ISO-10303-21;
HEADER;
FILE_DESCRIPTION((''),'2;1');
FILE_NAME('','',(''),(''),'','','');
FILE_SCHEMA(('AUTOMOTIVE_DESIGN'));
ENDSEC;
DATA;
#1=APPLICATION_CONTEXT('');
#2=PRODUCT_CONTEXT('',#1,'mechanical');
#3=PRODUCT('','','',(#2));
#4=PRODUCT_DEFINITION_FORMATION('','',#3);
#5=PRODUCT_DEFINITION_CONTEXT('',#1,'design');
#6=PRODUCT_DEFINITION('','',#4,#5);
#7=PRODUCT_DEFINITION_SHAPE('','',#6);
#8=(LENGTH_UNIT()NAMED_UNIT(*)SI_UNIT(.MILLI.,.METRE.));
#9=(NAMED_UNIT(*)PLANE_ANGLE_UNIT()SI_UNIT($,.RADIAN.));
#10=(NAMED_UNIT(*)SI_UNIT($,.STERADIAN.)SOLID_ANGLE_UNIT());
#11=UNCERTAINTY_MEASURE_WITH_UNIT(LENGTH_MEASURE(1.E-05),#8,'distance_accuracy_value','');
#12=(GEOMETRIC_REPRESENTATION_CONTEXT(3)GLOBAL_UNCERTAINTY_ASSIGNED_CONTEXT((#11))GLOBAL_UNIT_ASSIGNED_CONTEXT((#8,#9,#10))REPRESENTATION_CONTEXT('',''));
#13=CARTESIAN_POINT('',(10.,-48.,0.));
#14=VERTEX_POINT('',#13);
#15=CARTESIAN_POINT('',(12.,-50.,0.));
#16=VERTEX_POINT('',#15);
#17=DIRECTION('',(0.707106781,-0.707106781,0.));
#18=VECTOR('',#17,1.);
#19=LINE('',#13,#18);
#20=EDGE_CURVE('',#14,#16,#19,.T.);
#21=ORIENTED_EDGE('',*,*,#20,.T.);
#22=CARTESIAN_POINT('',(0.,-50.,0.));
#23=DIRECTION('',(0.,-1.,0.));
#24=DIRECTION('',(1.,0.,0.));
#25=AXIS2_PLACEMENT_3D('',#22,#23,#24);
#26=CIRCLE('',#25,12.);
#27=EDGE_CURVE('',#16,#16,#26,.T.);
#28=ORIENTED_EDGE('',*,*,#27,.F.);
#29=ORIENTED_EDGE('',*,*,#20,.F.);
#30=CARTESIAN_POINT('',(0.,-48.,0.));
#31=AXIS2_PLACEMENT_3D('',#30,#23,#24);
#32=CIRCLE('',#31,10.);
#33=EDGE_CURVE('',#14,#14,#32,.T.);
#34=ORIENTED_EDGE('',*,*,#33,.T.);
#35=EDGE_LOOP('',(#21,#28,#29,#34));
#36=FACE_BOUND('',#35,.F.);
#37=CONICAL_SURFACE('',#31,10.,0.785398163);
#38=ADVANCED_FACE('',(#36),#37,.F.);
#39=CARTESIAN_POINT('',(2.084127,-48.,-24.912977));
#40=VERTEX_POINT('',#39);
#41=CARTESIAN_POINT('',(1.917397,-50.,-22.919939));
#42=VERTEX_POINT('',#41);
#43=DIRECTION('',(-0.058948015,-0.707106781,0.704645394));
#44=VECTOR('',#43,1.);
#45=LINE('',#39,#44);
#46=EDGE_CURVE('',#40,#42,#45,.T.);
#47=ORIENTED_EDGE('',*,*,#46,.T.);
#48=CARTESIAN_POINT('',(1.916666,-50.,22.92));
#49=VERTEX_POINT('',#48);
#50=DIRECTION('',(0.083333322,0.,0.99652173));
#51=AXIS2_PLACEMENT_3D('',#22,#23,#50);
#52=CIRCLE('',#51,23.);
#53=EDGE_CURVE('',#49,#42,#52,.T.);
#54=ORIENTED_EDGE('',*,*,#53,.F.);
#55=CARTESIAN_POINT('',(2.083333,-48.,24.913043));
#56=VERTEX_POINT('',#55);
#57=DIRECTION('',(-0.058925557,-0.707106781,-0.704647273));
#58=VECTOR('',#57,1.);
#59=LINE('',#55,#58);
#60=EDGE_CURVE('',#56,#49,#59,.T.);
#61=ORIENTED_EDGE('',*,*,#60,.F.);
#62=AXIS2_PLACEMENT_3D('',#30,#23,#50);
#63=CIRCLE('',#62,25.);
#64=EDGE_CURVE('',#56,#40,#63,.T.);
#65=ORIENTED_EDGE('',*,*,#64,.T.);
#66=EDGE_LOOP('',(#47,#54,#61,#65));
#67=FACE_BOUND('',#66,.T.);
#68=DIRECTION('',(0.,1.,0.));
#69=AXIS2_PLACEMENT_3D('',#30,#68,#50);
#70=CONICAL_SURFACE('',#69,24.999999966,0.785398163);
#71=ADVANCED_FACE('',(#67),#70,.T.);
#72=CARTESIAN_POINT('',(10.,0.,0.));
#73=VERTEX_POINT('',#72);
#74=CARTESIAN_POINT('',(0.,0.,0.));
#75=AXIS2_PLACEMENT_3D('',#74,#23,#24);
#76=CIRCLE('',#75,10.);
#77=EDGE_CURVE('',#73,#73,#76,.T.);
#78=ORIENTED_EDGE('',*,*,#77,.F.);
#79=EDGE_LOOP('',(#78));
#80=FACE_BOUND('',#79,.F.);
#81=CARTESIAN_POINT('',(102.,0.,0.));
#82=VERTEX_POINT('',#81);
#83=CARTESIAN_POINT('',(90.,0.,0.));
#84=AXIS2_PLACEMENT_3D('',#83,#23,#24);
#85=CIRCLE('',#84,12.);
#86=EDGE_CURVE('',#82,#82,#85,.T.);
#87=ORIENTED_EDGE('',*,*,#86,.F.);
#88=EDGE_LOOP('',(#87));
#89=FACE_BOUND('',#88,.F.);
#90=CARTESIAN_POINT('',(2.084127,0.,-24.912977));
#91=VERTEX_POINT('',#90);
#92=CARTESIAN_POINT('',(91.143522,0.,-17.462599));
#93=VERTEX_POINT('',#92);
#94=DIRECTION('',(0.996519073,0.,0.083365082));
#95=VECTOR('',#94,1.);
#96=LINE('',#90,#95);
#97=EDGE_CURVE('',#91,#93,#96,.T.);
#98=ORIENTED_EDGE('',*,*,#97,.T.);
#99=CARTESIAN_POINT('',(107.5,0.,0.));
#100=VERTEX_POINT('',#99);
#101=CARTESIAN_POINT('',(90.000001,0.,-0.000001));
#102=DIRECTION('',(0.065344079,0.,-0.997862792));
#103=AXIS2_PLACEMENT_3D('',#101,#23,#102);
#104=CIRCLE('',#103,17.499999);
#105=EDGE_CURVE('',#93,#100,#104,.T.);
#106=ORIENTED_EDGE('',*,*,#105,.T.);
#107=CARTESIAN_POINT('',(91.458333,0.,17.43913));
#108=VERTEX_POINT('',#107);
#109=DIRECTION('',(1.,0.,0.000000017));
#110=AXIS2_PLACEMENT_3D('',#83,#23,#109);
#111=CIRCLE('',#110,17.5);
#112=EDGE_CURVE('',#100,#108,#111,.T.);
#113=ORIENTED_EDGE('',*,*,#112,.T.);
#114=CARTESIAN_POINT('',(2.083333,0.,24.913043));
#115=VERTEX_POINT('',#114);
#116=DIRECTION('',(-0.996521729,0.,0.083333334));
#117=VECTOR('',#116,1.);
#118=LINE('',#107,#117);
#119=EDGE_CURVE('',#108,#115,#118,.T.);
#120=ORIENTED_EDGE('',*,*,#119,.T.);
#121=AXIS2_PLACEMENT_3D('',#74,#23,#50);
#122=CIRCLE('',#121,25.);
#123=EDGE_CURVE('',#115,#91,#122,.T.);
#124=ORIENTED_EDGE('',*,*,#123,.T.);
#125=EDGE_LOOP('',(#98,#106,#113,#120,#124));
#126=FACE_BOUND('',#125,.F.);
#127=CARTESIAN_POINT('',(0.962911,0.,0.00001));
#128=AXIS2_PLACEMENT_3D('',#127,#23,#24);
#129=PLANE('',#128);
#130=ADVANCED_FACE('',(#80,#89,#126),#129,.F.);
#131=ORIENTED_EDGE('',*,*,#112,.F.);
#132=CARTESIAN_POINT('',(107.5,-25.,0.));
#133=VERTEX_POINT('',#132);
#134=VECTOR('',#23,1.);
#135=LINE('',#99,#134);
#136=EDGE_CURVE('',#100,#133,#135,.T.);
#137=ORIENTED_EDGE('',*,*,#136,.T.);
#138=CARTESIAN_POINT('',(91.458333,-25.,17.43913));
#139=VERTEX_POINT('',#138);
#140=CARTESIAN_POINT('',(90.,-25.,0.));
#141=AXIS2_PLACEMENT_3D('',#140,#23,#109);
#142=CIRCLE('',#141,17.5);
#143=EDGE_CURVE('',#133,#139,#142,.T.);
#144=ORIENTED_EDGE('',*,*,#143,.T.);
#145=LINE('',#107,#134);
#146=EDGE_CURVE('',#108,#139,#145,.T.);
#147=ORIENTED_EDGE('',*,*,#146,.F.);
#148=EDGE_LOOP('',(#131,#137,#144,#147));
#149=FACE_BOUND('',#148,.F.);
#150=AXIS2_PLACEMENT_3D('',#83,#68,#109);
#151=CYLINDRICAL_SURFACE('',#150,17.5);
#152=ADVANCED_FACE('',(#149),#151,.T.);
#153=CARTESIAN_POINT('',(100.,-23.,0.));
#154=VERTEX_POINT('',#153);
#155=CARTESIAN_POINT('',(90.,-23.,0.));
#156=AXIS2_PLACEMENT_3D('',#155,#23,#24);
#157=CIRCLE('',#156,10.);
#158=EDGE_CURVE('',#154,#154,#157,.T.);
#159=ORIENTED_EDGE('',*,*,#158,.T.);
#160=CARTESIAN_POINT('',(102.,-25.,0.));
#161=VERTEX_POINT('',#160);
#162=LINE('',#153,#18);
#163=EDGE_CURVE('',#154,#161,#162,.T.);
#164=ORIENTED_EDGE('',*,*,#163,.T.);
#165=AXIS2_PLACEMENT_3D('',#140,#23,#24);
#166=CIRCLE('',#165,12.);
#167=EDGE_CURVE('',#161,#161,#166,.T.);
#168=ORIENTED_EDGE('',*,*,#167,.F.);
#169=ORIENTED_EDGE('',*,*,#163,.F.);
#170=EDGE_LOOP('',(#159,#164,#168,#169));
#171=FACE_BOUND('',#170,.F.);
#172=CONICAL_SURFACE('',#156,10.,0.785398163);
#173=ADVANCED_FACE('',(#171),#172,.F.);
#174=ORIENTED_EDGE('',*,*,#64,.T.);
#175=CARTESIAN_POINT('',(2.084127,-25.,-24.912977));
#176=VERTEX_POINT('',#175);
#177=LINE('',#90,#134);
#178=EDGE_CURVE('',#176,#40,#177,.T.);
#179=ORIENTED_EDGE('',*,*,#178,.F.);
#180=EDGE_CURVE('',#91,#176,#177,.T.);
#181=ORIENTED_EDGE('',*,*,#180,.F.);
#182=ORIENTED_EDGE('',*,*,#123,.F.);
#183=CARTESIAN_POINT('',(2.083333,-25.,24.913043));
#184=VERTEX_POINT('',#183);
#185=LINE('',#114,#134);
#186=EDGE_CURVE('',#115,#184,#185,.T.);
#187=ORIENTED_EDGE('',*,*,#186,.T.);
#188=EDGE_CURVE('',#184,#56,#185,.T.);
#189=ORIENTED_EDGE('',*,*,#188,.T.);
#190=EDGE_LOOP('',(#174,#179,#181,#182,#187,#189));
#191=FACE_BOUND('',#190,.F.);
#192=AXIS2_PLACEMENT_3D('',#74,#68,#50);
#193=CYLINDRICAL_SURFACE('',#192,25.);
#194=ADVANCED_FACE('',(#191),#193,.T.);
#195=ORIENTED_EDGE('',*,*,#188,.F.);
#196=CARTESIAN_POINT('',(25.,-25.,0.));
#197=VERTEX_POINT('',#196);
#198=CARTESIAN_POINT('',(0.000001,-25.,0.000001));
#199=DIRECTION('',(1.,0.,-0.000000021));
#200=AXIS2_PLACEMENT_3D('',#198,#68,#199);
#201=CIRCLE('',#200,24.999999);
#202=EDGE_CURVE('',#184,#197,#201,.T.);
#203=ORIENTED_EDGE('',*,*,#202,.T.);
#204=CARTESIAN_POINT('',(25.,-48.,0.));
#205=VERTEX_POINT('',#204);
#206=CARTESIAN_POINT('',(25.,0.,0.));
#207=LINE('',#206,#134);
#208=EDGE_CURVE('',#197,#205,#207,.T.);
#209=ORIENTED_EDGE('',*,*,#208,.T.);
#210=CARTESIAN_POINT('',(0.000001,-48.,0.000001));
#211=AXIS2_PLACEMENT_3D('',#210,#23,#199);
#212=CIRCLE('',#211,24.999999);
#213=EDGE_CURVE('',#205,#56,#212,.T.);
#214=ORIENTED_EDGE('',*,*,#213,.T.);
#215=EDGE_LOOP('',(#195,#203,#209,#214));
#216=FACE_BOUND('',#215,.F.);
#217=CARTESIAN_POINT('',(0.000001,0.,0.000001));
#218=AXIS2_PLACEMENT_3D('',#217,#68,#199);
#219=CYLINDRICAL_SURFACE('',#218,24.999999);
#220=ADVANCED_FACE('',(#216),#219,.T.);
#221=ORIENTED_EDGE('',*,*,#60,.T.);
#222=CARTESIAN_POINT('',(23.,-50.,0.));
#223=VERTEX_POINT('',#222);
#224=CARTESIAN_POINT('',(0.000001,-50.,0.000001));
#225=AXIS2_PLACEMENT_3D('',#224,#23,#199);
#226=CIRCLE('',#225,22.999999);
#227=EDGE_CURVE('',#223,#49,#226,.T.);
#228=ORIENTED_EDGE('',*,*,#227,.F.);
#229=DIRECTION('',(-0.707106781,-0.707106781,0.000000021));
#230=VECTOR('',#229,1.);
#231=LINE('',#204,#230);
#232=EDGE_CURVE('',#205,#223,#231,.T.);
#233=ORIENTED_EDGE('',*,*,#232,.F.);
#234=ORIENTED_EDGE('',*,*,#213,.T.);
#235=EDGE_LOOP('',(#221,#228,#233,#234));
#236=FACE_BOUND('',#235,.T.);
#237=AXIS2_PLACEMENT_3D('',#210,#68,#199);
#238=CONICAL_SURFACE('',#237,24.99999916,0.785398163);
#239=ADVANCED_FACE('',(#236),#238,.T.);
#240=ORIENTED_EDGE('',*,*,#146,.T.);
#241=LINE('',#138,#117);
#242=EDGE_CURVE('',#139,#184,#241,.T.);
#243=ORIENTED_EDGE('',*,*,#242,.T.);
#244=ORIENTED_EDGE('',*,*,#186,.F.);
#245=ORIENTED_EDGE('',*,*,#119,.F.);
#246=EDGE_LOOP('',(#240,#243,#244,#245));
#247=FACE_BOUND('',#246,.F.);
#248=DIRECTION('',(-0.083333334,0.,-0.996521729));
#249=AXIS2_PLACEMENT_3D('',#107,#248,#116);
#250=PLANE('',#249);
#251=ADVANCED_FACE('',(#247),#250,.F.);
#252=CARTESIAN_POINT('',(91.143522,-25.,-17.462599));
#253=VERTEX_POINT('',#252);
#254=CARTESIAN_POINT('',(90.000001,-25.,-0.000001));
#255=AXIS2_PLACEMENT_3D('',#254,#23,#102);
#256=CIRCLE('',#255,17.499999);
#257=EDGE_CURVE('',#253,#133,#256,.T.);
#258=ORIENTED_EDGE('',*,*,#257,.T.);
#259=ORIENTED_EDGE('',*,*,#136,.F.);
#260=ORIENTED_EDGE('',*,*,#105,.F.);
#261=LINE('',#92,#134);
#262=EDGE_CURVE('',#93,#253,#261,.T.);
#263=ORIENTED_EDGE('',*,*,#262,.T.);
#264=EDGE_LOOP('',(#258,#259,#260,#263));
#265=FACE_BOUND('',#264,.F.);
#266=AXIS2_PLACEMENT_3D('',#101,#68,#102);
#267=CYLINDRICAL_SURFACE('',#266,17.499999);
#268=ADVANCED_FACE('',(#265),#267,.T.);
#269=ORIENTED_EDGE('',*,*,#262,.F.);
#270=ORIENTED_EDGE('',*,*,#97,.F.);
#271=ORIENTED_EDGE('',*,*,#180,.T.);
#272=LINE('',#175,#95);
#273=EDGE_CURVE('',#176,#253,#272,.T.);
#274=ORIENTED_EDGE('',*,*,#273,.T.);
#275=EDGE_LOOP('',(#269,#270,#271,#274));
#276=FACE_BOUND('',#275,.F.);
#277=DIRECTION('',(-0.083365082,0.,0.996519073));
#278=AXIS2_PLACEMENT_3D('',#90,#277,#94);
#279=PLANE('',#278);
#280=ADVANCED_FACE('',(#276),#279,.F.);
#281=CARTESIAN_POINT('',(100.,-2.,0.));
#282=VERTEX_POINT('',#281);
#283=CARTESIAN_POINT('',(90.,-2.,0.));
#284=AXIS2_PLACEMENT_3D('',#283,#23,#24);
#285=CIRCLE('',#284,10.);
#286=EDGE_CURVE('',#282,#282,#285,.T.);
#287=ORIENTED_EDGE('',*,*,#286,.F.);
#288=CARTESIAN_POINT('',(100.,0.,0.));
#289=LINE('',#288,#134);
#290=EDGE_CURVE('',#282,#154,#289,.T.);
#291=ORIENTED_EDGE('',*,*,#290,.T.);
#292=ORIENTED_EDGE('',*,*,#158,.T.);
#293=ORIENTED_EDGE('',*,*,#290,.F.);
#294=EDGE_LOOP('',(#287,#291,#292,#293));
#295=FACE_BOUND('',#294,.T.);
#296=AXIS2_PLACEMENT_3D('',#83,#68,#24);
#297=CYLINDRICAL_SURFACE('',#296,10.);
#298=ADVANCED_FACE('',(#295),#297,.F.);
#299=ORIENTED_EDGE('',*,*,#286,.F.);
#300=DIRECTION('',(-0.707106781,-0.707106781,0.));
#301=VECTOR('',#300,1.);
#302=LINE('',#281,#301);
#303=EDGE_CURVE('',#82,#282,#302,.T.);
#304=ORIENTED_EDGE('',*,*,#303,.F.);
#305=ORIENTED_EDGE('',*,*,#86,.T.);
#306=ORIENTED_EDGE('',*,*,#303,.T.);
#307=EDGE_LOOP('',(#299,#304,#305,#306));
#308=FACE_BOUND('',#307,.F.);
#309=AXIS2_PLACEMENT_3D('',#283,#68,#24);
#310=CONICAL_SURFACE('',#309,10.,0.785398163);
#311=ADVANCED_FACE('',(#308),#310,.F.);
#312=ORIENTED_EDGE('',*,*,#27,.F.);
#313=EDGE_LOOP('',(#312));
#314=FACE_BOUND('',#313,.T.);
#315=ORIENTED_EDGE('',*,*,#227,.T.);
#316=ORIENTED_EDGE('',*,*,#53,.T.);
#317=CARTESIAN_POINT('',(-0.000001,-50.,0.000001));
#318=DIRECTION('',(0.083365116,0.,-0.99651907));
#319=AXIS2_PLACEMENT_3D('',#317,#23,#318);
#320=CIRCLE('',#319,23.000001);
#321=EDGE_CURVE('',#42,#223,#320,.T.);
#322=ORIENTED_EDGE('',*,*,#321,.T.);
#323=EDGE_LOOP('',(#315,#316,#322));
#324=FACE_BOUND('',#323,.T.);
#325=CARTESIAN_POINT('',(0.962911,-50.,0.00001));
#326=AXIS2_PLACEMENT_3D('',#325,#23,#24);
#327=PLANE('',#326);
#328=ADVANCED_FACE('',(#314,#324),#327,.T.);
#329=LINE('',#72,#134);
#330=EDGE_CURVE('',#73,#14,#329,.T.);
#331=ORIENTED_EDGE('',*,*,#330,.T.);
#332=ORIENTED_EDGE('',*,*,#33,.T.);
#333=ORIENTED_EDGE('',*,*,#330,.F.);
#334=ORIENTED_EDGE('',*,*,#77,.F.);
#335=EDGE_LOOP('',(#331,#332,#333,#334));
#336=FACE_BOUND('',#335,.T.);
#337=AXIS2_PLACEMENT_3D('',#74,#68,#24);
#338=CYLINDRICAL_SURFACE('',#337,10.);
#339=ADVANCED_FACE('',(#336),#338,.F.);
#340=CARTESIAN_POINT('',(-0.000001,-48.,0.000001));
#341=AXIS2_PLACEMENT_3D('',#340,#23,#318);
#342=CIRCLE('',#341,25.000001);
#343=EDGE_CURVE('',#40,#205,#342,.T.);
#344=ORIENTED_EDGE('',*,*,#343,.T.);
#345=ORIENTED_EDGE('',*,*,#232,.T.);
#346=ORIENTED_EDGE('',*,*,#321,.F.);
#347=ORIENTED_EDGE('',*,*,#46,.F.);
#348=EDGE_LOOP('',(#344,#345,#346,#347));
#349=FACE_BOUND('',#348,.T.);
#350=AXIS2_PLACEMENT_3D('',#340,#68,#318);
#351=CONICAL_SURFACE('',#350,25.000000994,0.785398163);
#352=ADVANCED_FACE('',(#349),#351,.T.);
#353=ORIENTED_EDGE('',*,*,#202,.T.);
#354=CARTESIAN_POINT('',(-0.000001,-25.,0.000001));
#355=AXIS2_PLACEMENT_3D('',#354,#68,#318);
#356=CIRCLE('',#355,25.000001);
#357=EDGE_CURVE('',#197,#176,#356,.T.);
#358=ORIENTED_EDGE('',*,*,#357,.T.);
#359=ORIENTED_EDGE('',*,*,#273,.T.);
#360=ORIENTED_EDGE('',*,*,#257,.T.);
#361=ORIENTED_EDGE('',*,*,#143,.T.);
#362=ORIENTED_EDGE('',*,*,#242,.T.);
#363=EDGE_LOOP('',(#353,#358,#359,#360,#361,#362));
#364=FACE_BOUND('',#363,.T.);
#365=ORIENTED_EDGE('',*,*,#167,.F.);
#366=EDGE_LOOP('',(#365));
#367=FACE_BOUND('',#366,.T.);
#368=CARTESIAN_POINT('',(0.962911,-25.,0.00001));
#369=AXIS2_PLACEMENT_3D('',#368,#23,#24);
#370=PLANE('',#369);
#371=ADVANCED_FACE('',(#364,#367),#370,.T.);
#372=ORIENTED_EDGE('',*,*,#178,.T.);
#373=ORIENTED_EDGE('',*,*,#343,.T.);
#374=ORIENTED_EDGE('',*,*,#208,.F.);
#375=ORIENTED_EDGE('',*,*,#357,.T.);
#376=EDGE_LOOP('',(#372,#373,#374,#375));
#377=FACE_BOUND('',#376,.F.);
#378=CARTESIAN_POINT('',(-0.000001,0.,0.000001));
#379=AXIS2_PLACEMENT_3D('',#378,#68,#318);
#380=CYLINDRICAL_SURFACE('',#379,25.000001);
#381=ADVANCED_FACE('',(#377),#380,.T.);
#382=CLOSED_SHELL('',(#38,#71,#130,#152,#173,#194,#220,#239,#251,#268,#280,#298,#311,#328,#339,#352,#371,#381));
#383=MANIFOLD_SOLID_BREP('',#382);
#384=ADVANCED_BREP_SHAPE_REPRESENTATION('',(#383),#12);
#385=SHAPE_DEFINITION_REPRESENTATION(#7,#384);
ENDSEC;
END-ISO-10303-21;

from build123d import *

# Parameters (mm, degrees)
F0_R     = 10
F1_DEPTH = 25
F2_DEPTH = 50
F3_SIZE  = 2


with BuildPart() as f1:
    # F0 (on Front) → F1 (new body)
    with BuildSketch(Plane.XZ):
        with BuildLine():
            ThreePointArc((2.084127, -24.912977), (18.399771, -16.924787), (25, 0))
            ThreePointArc((25, 0), (18.399502, 16.92508), (2.083333, 24.913043))
            ThreePointArc((2.083333, 24.913043), (-25, -0.000398), (2.084127, -24.912977))
        make_face()
        Circle(F0_R, mode=Mode.SUBTRACT)
        with BuildLine():
            ThreePointArc((2.083333, 24.913043), (18.399502, 16.92508), (25, 0))
            ThreePointArc((25, 0), (18.399771, -16.924787), (2.084127, -24.912977))
            Line((2.084127, -24.912977), (91.143522, -17.462599))
            ThreePointArc((91.143522, -17.462599), (72.500712, 0.157842), (91.458333, 17.43913))
            Line((91.458333, 17.43913), (2.083333, 24.913043))
        make_face()
        with BuildLine():
            ThreePointArc((107.5, 0), (102.879651, 11.847556), (91.458333, 17.43913))
            ThreePointArc((91.458333, 17.43913), (72.500712, 0.157842), (91.143522, -17.462599))
            ThreePointArc((91.143522, -17.462599), (102.772268, -11.963243), (107.5, 0))
        make_face()
        with Locations((90, 0)):
            Circle(F0_R, mode=Mode.SUBTRACT)
    extrude(amount=F1_DEPTH)

    # F0 (on Front) → F2 (join)
    with BuildSketch(Plane.XZ):
        with BuildLine():
            ThreePointArc((2.084127, -24.912977), (18.399771, -16.924787), (25, 0))
            ThreePointArc((25, 0), (18.399502, 16.92508), (2.083333, 24.913043))
            ThreePointArc((2.083333, 24.913043), (-25, -0.000398), (2.084127, -24.912977))
        make_face()
        Circle(F0_R, mode=Mode.SUBTRACT)
    extrude(amount=F2_DEPTH)

    # F3
    f3_edges = [f1.edges().sort_by_distance(p)[0] for p in [
        (-2.084127, -50, 24.912977),
        (-10, -50, 0),
        (100, -12.5, 0),
        (80, 0, 0),
        (80, -25, 0),
    ]]
    chamfer(f3_edges, length=F3_SIZE)


solid = f1.part
